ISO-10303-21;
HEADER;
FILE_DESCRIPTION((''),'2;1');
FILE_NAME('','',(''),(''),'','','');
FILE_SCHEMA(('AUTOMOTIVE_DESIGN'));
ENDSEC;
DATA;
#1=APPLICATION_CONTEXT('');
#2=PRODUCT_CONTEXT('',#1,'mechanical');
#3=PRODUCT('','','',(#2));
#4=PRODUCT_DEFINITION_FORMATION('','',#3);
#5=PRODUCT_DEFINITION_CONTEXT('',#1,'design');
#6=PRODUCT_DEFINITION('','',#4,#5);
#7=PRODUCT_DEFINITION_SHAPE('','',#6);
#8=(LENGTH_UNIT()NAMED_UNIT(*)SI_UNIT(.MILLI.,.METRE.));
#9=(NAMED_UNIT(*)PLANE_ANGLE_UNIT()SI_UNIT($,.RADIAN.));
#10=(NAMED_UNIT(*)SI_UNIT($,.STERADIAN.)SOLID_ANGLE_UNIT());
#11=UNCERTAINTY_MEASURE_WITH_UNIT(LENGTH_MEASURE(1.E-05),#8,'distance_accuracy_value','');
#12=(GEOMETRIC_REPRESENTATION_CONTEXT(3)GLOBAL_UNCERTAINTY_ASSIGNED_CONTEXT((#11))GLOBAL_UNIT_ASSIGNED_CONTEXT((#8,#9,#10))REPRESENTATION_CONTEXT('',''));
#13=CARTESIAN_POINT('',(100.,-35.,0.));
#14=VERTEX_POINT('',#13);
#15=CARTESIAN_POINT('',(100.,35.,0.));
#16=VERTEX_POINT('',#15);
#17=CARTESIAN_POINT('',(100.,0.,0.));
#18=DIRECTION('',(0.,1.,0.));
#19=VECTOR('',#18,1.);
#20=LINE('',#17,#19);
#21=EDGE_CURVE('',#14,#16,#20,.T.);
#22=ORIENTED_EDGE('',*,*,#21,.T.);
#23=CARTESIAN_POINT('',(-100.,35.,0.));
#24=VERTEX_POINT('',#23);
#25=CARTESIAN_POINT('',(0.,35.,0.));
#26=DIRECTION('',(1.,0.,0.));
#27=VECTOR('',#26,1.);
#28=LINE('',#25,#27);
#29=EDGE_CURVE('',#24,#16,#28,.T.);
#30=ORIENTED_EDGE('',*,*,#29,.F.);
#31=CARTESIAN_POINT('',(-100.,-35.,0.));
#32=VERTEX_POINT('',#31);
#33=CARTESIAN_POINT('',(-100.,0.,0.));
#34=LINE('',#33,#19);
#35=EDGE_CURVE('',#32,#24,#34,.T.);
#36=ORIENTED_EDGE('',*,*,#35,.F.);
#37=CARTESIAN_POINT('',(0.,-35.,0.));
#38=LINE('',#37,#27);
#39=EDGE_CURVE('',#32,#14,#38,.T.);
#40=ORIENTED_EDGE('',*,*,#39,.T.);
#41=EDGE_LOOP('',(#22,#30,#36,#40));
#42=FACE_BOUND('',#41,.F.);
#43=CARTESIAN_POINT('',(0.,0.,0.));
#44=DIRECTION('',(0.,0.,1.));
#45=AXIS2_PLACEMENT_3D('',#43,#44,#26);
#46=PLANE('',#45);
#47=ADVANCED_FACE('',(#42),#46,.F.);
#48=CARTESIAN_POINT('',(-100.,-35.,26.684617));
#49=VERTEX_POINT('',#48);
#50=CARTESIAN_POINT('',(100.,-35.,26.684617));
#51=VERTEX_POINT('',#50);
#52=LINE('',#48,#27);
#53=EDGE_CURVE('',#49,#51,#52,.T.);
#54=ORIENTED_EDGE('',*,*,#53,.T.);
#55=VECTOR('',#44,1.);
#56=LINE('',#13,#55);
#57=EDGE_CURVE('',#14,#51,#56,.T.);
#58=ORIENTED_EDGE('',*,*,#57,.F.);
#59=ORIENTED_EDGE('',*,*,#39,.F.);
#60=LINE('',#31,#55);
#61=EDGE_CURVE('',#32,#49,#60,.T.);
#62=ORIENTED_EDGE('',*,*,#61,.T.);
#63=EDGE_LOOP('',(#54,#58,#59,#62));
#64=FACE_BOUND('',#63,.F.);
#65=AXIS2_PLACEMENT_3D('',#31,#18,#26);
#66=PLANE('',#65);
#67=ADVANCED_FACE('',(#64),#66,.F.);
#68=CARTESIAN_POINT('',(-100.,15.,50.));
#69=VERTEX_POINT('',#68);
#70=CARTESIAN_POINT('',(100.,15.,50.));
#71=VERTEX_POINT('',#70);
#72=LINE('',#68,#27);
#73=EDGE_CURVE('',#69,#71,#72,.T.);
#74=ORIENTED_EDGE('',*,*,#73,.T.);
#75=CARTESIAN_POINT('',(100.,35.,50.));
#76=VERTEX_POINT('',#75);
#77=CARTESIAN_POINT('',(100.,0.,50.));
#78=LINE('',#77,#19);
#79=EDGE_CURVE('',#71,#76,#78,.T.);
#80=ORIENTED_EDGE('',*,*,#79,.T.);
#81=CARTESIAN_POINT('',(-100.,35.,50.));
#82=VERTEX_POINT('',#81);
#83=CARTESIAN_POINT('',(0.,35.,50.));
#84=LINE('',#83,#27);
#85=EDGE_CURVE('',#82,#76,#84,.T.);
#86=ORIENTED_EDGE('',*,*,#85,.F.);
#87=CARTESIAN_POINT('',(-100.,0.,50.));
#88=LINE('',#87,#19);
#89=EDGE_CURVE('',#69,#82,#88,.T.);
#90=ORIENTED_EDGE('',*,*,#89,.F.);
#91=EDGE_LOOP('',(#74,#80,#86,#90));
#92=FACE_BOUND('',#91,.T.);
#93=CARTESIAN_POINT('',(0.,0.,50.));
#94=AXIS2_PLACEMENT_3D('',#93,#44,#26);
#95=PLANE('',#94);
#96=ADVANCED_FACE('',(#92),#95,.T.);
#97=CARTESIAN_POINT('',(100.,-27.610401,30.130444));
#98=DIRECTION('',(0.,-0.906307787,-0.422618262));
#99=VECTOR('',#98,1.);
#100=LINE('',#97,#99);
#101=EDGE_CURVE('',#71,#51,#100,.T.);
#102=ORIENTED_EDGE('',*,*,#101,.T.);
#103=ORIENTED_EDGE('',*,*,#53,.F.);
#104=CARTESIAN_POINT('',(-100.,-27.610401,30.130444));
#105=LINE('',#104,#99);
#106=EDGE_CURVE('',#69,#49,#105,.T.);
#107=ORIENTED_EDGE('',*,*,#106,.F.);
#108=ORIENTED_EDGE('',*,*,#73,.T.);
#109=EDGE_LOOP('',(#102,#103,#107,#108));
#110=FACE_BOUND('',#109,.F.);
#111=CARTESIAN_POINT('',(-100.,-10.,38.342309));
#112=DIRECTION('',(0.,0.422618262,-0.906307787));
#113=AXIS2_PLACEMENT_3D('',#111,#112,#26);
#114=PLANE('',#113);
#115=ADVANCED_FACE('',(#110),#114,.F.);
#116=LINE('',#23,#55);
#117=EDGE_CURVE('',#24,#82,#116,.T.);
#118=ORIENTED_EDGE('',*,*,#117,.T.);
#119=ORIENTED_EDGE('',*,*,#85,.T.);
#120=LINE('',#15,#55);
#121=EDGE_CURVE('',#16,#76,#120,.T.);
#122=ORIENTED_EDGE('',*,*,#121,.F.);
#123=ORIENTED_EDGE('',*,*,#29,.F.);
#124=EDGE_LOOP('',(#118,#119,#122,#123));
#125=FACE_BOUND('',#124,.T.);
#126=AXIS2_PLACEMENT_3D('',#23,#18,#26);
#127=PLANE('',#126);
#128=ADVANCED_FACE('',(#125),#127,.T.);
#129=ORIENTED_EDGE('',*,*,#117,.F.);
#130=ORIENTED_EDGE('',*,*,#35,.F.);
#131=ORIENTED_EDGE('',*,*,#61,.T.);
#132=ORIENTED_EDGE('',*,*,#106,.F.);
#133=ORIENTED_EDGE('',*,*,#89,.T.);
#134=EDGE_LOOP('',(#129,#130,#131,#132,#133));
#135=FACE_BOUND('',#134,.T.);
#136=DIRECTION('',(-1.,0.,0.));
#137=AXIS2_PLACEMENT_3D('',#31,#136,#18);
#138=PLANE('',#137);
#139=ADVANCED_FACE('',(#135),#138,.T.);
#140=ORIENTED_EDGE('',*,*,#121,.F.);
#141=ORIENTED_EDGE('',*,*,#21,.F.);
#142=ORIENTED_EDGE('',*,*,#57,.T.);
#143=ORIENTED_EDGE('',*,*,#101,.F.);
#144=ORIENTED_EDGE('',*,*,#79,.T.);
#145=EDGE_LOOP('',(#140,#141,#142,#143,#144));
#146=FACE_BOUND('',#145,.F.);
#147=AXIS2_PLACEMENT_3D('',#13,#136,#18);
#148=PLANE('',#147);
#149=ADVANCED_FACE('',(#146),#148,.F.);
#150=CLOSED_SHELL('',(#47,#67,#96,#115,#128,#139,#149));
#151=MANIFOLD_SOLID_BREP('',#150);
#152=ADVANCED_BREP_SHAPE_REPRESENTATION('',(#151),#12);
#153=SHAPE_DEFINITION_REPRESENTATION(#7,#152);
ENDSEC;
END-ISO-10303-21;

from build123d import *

# Parameters (mm, degrees)
F0_W     = 200
F0_H     = 70
F1_DEPTH = 50
F2_SIZE2 = 23.3153829077
F2_SIZE  = 50


with BuildPart() as f1:
    # F0 (on Top) → F1 (new body)
    with BuildSketch(Plane.XY):
        Rectangle(F0_W, F0_H)
    extrude(amount=F1_DEPTH)

    # F2
    f2_edges = [f1.edges().sort_by_distance(p)[0] for p in [
        (0, -35, 50),
    ]]
    f2_side = f1.faces().sort_by_distance((0, 0, 50))[0]
    chamfer(f2_edges, length=F2_SIZE, length2=F2_SIZE2, reference=f2_side)


solid = f1.part
